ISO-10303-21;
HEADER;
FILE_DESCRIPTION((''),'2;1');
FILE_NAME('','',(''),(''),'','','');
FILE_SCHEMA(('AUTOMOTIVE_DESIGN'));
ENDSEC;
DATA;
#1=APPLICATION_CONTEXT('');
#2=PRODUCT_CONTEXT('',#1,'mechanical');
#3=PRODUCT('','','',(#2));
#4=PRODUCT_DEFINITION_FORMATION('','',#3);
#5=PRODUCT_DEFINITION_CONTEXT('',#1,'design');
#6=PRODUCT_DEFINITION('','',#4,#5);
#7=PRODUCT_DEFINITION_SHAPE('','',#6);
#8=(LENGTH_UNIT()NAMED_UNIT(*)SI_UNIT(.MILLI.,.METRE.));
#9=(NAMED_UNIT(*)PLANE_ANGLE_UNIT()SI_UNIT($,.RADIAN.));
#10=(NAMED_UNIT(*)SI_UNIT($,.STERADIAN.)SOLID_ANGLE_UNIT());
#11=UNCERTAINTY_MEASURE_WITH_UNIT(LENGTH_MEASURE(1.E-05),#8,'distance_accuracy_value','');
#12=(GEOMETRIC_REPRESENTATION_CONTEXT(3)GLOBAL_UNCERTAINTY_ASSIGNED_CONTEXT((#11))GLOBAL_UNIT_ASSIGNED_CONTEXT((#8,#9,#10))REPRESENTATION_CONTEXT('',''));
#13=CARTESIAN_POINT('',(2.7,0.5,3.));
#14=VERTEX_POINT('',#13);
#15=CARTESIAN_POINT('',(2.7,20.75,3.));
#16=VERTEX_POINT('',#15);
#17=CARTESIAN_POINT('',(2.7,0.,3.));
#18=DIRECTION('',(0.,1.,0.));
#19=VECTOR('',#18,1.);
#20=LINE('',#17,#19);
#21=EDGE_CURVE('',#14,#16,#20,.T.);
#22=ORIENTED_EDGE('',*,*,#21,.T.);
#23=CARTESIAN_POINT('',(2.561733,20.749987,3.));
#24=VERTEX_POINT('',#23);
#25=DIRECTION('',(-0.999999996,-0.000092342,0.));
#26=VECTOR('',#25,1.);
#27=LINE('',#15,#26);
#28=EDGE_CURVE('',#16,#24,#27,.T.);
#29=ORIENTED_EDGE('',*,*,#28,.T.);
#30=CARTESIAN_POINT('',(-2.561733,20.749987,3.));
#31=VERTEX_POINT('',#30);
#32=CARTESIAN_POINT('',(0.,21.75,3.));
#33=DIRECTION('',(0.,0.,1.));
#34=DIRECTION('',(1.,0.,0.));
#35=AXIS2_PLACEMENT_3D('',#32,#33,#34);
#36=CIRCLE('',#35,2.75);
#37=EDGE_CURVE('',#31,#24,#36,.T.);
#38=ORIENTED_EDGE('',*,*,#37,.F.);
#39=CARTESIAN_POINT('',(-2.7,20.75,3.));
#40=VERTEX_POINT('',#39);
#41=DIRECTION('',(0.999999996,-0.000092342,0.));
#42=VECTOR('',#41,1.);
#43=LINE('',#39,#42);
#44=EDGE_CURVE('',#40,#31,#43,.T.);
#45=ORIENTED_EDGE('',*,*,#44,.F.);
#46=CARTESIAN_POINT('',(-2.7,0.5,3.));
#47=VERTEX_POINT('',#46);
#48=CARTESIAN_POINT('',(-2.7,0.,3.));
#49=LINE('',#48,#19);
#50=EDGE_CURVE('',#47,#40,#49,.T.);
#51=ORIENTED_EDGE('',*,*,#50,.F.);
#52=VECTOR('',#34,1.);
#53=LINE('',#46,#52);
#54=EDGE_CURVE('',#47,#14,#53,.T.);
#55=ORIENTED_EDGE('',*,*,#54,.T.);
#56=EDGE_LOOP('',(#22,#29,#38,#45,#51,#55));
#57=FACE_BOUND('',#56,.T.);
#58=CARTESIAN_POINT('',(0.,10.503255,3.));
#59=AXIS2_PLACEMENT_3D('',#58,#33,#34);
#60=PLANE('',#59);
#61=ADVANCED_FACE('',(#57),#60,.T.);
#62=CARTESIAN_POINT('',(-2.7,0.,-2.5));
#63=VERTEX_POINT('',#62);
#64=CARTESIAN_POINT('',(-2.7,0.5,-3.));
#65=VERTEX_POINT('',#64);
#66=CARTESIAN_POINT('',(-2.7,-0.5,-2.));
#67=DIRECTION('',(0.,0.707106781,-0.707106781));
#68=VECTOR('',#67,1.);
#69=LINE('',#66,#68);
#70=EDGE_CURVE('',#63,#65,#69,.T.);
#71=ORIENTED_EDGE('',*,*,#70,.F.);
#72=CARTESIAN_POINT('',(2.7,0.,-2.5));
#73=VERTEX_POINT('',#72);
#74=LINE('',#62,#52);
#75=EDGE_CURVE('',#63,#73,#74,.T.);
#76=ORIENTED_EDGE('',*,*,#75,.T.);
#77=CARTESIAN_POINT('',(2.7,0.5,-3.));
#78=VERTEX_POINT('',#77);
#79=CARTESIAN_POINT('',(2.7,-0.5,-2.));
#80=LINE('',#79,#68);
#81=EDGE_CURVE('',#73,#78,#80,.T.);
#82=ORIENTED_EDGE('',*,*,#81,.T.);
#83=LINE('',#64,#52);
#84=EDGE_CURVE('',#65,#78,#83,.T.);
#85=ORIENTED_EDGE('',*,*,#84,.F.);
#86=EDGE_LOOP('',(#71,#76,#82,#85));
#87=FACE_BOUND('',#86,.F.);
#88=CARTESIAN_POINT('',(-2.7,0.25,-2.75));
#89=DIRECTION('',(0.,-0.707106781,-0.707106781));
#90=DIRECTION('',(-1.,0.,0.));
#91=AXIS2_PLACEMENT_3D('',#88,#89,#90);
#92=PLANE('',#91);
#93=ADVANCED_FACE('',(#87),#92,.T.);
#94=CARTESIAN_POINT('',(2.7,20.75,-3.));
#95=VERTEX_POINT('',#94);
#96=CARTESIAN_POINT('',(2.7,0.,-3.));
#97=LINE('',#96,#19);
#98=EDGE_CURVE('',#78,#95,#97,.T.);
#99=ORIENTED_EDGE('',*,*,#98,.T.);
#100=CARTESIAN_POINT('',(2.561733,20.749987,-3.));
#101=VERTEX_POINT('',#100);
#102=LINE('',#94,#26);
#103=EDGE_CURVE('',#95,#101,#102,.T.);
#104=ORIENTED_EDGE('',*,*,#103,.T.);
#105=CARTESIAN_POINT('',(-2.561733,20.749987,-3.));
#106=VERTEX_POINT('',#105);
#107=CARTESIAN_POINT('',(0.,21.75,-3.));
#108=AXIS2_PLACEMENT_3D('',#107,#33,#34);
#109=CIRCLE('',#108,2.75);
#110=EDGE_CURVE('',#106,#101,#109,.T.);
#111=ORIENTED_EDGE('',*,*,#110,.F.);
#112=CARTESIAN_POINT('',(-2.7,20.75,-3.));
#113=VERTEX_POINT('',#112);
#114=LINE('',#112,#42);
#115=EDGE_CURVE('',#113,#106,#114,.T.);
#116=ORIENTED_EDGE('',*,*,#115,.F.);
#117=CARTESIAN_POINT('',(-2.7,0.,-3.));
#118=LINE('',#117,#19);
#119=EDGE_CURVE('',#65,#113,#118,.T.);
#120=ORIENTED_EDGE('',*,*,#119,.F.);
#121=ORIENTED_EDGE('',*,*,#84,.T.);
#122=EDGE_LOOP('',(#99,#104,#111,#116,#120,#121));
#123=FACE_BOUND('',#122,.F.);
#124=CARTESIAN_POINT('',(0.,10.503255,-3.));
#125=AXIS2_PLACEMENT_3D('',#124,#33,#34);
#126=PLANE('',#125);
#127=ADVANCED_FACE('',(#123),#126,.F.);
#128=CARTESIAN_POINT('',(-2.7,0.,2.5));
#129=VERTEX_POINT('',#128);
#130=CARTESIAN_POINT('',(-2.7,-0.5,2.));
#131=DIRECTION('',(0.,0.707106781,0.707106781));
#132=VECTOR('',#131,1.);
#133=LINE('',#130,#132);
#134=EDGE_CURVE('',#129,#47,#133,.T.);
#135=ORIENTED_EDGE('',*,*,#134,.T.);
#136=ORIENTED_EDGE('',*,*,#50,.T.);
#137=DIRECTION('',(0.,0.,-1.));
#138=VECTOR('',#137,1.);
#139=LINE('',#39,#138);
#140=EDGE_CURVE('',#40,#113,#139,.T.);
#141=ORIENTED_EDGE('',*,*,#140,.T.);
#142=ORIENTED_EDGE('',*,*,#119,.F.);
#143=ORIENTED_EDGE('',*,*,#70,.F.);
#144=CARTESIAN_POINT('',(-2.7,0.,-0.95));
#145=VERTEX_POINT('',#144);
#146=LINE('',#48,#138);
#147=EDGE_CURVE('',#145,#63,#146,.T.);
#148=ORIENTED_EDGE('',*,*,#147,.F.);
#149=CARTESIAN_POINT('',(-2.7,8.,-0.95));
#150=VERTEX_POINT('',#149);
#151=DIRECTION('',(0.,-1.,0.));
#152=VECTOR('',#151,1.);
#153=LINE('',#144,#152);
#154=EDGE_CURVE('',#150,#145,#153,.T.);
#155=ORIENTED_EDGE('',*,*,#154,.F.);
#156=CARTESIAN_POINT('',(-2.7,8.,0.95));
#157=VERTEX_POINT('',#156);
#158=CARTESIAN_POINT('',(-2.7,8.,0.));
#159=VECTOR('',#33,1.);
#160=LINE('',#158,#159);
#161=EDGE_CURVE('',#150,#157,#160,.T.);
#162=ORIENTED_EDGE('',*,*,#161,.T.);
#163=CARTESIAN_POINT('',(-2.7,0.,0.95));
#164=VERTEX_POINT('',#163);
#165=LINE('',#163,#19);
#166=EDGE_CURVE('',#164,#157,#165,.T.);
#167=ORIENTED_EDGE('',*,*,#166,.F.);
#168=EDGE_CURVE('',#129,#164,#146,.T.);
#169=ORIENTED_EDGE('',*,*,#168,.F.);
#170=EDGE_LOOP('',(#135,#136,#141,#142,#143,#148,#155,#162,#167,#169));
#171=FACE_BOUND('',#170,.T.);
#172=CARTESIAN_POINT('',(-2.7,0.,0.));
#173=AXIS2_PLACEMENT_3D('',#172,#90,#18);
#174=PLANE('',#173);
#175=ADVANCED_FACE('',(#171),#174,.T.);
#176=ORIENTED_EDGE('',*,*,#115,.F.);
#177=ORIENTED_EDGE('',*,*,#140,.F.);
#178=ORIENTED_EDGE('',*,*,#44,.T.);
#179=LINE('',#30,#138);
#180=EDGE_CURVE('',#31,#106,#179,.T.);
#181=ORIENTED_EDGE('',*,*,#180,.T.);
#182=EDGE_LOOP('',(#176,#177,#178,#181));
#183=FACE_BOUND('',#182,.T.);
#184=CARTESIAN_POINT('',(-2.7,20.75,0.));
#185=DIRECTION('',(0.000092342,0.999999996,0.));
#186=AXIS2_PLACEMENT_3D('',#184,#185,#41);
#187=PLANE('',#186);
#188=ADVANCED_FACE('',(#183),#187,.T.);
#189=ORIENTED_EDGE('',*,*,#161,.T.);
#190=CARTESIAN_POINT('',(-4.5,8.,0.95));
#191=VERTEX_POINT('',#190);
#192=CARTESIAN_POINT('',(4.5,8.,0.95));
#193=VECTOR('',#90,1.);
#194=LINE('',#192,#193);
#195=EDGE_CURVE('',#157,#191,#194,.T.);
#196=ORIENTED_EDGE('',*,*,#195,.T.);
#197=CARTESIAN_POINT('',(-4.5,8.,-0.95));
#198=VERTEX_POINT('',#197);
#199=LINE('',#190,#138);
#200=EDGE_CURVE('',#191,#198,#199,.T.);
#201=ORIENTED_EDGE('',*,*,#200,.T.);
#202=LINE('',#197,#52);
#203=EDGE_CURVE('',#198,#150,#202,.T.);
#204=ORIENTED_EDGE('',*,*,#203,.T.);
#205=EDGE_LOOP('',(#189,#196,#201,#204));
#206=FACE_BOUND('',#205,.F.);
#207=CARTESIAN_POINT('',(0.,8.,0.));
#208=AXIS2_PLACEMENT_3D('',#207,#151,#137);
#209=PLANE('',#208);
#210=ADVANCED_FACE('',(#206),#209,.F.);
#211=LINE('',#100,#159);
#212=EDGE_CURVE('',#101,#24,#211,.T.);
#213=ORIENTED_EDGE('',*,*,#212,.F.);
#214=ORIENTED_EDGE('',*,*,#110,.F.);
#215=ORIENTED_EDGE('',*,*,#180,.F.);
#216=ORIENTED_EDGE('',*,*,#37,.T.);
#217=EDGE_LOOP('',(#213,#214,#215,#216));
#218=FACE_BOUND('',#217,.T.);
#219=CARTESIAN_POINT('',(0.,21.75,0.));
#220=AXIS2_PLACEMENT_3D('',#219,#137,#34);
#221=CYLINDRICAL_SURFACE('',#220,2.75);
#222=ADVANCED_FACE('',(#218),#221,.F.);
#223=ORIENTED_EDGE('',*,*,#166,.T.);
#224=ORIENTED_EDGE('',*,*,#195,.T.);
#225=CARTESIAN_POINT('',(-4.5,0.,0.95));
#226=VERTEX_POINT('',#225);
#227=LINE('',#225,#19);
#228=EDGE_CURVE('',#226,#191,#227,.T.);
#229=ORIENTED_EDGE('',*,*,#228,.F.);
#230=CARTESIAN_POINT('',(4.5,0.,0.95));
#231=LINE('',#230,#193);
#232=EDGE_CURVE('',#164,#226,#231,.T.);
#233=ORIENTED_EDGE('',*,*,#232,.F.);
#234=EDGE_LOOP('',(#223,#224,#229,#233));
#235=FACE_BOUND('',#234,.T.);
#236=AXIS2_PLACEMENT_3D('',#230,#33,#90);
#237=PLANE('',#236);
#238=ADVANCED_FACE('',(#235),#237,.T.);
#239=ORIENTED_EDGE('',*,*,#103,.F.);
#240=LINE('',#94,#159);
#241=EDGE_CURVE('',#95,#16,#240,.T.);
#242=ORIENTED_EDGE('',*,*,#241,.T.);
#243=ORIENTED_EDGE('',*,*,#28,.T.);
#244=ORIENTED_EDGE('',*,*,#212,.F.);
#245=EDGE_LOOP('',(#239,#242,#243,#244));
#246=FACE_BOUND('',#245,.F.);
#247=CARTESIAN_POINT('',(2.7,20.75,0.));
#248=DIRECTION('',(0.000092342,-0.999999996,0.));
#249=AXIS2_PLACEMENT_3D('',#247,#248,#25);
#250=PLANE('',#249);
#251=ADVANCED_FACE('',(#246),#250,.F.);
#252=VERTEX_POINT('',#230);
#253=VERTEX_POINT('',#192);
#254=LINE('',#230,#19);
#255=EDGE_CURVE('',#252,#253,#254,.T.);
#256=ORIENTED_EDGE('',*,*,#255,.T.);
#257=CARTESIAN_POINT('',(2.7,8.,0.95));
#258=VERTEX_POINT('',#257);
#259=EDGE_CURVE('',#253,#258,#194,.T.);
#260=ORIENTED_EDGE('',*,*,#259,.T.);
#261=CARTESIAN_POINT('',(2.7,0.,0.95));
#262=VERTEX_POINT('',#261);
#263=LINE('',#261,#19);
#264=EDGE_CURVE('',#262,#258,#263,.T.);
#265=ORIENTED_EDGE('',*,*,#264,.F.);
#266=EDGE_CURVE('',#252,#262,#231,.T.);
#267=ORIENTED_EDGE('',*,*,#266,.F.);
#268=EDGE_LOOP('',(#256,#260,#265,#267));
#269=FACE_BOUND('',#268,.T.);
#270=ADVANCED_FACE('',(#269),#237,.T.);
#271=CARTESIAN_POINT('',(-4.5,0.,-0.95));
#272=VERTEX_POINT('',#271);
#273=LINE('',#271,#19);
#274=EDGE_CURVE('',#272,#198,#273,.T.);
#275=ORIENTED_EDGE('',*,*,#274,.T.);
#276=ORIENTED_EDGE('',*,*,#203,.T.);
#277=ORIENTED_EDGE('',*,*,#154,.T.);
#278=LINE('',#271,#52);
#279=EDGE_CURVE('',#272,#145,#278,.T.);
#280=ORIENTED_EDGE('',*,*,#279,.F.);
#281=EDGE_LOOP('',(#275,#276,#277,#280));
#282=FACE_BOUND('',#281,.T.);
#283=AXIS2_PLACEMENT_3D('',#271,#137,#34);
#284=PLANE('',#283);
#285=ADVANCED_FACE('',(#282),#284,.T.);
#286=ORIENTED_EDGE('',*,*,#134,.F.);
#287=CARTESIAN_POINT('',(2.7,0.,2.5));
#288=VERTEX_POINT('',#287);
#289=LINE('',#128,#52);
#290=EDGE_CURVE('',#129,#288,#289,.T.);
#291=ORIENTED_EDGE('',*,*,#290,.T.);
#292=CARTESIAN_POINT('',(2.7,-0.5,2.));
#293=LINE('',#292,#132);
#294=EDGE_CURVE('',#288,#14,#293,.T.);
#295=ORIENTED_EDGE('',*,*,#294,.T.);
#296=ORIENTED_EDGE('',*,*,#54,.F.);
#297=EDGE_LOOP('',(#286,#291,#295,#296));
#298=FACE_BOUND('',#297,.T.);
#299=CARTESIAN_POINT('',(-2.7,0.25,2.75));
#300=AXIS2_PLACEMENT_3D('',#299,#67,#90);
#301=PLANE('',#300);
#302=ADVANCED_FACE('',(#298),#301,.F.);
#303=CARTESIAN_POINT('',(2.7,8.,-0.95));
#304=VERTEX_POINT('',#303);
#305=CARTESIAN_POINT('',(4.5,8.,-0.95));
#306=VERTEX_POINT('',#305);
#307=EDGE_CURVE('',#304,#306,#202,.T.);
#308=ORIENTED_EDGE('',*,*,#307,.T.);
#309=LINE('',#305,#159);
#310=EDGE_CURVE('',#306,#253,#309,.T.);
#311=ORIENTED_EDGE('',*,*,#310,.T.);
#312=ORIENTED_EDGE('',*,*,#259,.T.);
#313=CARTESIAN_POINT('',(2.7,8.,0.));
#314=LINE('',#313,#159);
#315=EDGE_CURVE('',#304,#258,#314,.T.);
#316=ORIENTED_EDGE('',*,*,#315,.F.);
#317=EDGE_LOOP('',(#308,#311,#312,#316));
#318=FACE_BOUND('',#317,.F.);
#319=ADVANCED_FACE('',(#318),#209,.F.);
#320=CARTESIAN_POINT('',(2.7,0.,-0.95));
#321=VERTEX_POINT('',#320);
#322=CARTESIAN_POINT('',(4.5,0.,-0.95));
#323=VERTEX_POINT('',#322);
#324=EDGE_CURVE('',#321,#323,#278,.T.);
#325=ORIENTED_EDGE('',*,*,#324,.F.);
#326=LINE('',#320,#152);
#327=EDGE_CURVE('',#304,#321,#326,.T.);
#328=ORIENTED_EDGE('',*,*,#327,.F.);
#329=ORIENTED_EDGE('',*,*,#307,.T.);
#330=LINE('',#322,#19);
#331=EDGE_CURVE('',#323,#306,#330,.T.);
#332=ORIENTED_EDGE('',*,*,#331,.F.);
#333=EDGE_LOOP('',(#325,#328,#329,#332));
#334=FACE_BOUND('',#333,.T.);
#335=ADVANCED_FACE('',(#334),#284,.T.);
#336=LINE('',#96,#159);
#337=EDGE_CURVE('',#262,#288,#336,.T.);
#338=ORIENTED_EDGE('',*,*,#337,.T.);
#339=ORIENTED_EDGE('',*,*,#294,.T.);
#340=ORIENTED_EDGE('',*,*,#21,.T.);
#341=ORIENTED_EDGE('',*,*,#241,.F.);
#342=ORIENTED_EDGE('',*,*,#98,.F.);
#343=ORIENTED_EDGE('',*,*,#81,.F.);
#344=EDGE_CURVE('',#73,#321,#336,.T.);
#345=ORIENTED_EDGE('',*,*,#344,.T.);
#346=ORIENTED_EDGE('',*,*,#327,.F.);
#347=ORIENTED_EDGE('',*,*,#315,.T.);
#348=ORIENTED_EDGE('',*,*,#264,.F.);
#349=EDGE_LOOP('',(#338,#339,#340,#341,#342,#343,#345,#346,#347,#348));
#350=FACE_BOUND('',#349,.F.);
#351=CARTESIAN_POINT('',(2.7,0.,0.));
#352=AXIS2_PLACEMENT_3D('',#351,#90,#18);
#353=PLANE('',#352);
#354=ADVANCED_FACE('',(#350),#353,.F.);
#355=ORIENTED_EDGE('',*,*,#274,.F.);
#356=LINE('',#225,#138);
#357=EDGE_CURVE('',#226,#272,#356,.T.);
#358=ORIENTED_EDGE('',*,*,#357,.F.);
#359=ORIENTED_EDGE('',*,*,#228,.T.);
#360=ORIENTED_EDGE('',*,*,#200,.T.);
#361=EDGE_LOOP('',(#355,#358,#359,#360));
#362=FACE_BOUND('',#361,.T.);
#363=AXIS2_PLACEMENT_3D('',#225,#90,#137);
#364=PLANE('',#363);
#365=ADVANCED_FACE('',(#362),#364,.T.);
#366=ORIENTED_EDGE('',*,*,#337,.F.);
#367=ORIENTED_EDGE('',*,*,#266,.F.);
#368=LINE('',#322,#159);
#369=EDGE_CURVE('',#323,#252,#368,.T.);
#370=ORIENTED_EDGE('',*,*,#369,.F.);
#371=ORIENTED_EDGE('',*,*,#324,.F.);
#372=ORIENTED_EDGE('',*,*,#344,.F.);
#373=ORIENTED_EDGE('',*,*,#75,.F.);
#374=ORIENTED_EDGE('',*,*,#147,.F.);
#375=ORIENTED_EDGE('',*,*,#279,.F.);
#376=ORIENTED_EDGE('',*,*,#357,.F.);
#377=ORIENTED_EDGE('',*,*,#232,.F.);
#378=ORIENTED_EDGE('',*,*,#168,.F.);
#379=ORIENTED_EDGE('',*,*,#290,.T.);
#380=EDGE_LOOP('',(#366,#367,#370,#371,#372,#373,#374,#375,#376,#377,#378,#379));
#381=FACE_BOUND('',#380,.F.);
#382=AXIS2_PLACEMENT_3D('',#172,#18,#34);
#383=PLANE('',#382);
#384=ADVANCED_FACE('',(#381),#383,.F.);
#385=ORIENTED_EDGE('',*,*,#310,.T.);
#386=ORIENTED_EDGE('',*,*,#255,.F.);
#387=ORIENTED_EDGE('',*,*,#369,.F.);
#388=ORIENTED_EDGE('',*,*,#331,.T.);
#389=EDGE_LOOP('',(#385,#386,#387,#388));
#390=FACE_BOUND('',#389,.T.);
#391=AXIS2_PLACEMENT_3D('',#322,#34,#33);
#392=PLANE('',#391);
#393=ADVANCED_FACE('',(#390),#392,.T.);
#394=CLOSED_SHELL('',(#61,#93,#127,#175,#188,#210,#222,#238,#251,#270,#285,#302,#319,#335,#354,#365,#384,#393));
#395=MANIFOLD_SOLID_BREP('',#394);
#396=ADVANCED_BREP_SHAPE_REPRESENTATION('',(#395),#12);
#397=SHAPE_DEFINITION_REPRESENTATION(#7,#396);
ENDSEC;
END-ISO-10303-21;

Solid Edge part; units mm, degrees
sketch "Sketch1" plane through (0, 0, 0) normal (0, 0, 1) x (1, 0, 0)
  line L0 (-2.7, 0) -> (2.7, 0)
  line L1 (2.7, 0) -> (2.7, 20.75)
  line L2 (2.7, 20.75) -> (2.5617, 20.75)
  arc A0 (-2.5617, 20.75) -> (2.5617, 20.75) centre (0, 21.75) ccw
  line L3 (-2.7, 20.75) -> (-2.5617, 20.75)
  line L4 (-2.7, 0) -> (-2.7, 20.75)
  dimension "D1" = 21.75
  dimension "D2" = 5.4
  dimension "D3" = 1
  dimension "D4" = 2.75
extrude "Protrusion1" add sketch "Sketch1" along normal mid plane 6
sketch "Sketch2" plane through (0, 0, 0) normal (0, -1, 0) x (1, 0, 0)
  line L0 (-4.5, -0.95) -> (4.5, -0.95)
  line L1 (4.5, -0.95) -> (4.5, 0.95)
  line L2 (4.5, 0.95) -> (-4.5, 0.95)
  line L3 (-4.5, 0.95) -> (-4.5, -0.95)
  dimension "D1" = 1.9
  dimension "D2" = 1.8
extrude "Extrusionsausprägung_2" add sketch "Sketch2" against normal blind 8
chamfer "Fase_1" distance 0.5 angle 45 2 edges at (0, 0, 3) (0, 0, -3)
